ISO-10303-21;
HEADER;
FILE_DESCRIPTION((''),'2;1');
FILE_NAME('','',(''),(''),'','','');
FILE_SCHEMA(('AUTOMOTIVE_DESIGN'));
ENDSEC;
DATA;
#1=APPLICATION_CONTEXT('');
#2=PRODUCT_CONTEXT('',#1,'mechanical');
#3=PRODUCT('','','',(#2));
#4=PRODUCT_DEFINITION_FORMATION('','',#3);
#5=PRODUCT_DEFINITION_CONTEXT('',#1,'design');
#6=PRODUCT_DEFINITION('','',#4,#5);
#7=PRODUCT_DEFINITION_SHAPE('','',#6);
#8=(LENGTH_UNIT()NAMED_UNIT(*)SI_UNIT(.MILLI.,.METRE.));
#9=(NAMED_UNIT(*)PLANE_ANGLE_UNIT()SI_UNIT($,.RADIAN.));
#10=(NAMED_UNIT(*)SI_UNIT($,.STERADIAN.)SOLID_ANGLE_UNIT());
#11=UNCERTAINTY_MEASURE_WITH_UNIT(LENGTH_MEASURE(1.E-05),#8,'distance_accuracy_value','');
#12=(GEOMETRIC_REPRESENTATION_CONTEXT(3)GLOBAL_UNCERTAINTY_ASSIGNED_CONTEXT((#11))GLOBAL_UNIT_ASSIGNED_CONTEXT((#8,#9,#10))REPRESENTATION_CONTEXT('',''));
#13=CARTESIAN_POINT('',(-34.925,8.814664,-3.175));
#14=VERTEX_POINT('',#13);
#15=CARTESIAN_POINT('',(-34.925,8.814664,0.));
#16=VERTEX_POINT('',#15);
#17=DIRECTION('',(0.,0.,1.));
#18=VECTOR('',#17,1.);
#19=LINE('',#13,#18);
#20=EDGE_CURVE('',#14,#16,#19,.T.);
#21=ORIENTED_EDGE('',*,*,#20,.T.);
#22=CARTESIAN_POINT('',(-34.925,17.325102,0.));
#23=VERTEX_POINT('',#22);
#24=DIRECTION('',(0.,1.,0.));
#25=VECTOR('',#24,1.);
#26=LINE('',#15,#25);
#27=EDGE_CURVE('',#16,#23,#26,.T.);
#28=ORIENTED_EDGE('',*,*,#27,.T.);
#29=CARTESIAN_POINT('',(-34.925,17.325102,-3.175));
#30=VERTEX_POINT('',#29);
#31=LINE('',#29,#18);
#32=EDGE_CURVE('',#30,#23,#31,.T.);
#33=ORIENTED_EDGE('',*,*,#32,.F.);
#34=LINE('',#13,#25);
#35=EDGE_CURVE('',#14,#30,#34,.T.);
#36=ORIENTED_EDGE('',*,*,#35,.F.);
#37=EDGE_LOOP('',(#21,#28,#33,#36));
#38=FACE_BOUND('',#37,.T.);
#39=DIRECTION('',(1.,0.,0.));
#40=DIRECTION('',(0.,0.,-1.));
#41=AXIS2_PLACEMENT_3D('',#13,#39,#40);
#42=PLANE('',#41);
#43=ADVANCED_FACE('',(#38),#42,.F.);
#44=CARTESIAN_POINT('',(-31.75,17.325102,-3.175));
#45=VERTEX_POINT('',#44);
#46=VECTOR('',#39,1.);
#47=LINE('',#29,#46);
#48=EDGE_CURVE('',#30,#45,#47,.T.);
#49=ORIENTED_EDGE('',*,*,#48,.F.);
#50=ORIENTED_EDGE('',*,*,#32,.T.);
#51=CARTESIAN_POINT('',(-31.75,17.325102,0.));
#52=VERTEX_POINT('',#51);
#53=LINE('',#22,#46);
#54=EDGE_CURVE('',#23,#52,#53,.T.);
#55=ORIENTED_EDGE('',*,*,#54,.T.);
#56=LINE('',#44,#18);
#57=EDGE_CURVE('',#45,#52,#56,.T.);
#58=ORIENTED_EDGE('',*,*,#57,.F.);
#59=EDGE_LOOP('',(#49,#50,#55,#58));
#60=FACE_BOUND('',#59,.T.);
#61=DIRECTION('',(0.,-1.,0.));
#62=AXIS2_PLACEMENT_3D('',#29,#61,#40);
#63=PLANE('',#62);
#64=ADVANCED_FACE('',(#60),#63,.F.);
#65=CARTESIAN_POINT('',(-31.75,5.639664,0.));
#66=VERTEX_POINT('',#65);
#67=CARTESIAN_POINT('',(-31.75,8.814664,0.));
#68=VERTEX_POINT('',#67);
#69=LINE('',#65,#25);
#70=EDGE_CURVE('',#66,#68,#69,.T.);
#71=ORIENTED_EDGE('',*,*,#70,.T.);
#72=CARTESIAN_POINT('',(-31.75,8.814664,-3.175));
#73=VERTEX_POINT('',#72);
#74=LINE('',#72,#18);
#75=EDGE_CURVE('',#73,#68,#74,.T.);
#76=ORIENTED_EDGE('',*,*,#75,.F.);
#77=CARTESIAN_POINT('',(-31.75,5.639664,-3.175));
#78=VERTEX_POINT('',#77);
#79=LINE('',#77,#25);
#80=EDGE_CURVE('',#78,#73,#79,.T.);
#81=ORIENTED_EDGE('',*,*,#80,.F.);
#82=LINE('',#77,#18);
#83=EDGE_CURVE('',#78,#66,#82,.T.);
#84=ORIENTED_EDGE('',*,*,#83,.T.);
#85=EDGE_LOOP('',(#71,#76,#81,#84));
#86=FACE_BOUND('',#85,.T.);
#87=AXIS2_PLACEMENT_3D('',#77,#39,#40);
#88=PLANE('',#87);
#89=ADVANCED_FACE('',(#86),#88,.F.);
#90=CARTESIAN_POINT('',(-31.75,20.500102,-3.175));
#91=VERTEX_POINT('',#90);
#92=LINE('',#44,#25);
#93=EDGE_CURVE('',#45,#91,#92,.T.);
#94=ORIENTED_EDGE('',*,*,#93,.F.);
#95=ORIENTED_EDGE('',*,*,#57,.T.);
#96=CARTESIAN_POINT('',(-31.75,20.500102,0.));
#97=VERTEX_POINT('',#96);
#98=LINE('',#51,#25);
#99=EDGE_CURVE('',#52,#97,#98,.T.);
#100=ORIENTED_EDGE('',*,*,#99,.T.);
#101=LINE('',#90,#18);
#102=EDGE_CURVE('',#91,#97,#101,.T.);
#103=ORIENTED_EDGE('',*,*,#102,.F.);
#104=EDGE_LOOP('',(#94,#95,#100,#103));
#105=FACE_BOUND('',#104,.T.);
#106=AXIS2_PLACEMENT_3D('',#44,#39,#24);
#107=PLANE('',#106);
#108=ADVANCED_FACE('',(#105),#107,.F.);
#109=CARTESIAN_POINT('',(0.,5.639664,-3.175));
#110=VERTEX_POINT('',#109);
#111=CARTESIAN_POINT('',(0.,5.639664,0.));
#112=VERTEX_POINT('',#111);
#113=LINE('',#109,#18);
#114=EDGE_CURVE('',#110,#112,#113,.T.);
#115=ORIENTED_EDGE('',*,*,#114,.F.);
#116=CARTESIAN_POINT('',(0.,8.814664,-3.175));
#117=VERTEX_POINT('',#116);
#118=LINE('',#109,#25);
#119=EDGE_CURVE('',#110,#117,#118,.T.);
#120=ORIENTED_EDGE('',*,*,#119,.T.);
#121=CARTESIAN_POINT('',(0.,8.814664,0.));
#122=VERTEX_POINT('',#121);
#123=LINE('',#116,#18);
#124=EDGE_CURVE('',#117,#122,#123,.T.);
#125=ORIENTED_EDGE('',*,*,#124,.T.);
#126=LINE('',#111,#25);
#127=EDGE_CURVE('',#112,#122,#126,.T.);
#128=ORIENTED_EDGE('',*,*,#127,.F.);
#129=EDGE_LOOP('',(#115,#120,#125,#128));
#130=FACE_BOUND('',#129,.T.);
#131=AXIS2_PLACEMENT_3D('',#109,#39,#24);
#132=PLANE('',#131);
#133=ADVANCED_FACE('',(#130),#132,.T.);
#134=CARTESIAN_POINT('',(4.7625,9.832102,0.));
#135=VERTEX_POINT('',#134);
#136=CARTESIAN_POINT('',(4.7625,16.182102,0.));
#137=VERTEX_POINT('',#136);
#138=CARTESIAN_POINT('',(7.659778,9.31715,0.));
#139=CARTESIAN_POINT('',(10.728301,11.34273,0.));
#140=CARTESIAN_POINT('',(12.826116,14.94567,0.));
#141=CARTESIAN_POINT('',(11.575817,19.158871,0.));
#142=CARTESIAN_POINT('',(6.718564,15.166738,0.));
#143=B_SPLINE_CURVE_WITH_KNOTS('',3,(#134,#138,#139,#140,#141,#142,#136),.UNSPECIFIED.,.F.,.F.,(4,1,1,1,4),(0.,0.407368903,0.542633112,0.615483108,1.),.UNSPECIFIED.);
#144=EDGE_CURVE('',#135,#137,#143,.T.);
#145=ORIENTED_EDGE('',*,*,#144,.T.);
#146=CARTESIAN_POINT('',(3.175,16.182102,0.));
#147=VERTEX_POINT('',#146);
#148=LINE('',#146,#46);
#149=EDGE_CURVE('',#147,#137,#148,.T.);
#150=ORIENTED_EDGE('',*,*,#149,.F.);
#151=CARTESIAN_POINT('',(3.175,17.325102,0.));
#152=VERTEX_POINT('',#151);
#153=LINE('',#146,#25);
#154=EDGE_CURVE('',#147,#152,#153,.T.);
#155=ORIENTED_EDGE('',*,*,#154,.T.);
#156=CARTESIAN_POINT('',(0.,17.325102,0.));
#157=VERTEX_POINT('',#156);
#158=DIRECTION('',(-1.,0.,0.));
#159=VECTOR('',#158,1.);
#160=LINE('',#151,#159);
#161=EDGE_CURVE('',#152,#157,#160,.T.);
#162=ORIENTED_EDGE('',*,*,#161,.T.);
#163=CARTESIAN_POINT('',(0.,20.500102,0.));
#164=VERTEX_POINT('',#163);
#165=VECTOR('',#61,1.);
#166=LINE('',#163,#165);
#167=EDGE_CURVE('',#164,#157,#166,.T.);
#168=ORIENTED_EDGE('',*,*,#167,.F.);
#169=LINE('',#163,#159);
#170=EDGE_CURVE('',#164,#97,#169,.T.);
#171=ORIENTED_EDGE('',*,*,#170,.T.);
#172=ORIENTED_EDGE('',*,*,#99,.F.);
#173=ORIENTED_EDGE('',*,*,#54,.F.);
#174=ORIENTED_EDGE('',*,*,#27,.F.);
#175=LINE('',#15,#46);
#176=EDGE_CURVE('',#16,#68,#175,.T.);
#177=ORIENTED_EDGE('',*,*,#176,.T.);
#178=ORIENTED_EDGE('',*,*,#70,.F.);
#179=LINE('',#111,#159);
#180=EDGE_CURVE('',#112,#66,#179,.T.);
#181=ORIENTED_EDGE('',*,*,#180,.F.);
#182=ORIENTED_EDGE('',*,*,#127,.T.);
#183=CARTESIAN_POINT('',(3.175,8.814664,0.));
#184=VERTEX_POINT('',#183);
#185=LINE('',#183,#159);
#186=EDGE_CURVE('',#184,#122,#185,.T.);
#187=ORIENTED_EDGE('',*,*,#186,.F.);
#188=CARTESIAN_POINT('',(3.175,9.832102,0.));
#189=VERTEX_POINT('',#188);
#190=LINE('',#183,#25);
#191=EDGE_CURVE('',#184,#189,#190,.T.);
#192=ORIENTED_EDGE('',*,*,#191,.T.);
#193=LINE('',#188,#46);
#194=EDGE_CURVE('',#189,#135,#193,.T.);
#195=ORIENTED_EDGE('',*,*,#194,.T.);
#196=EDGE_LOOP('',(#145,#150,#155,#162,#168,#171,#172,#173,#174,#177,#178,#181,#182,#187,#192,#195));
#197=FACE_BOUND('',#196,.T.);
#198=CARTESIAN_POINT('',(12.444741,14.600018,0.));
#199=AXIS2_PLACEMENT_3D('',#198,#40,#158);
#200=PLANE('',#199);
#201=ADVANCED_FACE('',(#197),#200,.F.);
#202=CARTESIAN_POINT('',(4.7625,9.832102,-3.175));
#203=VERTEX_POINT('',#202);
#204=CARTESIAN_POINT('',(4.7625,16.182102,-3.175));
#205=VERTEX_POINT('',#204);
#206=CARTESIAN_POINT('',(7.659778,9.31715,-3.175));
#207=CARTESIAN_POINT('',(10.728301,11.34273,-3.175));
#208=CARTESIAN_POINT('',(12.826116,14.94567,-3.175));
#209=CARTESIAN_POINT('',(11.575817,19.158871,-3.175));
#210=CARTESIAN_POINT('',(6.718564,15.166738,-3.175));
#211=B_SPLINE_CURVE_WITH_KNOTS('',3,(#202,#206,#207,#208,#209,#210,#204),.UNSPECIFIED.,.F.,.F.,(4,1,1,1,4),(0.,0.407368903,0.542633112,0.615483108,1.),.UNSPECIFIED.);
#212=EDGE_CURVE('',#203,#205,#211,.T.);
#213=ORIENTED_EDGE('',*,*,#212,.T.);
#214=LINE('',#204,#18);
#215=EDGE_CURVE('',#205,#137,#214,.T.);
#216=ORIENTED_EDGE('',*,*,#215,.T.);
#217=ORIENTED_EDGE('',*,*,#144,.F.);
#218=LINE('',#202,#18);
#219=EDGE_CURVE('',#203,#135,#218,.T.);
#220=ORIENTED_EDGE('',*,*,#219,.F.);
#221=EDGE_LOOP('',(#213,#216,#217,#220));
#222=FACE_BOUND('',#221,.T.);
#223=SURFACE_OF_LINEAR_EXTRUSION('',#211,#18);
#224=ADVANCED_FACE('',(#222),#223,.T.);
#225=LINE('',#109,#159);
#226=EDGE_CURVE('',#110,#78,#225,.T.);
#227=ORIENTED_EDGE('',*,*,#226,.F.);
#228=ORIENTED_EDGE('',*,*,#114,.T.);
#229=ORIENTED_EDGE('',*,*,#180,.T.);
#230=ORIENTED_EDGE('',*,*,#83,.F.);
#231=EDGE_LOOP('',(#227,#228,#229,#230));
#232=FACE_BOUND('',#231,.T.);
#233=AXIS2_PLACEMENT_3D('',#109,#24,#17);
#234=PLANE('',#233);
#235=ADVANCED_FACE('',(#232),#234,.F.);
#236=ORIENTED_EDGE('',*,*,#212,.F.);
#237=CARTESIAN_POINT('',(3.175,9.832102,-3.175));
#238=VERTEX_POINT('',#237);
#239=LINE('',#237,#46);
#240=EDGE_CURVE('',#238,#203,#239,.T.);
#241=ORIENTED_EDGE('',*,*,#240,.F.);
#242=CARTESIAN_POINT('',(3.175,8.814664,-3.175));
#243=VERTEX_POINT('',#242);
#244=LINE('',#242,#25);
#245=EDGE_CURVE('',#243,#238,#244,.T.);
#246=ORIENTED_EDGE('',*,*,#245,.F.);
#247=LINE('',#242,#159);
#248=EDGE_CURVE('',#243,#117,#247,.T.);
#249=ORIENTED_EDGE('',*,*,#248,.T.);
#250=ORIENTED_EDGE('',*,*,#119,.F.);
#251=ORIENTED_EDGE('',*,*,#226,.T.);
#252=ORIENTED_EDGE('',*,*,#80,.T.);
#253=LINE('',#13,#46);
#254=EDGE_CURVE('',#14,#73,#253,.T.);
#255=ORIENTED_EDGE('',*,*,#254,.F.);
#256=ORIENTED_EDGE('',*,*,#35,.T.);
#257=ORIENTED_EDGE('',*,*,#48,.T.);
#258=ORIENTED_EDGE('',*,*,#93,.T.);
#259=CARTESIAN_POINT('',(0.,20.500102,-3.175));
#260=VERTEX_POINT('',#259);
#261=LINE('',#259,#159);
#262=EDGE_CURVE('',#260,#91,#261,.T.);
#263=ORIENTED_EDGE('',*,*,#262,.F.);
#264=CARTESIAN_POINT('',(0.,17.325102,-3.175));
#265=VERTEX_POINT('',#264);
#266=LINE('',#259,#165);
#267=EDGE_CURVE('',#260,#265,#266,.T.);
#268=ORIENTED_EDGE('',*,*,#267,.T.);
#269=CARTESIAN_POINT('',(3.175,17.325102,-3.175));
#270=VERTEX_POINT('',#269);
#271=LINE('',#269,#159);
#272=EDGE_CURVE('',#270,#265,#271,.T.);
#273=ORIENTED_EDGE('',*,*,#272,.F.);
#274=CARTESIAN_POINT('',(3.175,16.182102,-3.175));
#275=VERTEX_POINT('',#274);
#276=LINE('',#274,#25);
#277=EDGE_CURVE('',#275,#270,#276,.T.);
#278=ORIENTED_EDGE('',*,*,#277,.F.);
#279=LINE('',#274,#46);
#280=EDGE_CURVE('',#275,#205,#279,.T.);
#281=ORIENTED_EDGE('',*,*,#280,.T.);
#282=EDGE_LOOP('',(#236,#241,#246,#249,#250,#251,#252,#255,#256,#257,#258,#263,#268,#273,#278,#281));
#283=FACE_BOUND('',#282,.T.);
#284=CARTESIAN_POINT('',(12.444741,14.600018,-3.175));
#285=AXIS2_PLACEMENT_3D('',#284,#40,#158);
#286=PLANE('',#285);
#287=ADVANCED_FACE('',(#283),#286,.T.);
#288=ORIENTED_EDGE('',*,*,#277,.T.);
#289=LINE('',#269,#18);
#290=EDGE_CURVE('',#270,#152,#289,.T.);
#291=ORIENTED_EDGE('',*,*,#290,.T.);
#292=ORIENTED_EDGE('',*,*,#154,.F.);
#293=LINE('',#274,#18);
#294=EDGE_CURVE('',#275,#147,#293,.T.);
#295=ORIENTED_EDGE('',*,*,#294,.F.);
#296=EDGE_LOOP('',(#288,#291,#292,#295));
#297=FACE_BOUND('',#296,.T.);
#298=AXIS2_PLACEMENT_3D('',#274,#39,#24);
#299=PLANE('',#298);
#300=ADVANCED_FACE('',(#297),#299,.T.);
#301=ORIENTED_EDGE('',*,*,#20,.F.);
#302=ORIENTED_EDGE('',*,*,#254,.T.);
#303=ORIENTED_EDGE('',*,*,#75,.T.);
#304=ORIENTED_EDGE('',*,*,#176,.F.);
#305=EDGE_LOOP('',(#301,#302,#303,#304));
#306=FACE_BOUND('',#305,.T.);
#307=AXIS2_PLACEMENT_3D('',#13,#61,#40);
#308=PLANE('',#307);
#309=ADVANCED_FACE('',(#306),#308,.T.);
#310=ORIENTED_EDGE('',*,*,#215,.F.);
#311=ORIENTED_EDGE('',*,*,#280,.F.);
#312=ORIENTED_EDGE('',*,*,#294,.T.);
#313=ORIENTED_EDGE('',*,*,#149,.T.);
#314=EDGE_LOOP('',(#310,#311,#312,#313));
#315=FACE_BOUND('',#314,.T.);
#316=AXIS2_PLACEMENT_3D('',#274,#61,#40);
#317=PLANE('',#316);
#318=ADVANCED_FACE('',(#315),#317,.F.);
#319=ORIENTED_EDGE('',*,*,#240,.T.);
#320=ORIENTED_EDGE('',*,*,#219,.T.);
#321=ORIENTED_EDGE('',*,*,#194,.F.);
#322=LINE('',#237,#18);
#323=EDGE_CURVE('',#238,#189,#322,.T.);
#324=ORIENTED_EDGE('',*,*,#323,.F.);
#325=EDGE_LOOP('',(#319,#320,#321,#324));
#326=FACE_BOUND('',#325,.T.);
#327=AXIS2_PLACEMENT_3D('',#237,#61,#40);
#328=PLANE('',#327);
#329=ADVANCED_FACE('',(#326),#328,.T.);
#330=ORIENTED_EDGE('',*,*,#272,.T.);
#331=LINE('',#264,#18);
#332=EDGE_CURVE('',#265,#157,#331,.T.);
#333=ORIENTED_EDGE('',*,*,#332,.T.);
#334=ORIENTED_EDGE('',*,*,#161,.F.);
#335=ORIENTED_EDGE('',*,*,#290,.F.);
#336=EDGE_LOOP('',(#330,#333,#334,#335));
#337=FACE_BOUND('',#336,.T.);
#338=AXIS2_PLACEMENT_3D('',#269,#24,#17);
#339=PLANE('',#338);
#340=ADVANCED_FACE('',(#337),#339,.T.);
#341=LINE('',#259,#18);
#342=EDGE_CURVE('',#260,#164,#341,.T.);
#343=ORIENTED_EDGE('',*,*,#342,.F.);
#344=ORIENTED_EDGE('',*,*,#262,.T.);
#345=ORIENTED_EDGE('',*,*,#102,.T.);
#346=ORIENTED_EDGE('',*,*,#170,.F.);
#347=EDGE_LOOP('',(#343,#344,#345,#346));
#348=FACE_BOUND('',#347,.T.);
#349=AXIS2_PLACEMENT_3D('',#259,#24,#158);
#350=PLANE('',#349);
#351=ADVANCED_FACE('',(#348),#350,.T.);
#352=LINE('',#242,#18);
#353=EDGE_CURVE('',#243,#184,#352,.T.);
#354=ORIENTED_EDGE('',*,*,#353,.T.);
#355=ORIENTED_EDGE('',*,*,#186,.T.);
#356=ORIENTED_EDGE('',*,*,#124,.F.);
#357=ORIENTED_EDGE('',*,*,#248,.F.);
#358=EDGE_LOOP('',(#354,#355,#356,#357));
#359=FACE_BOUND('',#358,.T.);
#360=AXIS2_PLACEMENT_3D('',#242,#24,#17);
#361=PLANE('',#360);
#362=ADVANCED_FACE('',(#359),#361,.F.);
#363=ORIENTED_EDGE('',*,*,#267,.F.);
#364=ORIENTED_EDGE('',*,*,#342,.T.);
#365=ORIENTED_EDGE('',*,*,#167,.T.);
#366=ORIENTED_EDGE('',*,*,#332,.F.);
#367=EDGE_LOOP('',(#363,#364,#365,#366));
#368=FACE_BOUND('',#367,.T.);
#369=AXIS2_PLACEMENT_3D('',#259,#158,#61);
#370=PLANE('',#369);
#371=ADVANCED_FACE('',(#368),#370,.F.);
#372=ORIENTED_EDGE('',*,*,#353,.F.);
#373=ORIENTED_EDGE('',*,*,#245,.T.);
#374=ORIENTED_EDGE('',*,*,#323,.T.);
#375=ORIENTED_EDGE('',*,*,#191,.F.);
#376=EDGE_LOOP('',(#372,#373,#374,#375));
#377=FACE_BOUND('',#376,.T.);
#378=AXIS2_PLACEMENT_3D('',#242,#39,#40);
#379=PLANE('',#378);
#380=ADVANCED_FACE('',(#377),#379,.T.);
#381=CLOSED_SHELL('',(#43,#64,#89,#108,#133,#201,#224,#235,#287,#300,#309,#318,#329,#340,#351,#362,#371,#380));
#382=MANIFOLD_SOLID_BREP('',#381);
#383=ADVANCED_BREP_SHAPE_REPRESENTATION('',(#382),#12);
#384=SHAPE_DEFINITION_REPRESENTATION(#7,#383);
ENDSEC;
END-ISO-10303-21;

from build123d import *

# Parameters (mm, degrees)
BOSS_EXTRUDE1_DEPTH = 3.175


with BuildPart() as part:
    # Sketch1 → Boss-Extrude1 (new body)
    with BuildSketch(Plane.XY):
        with BuildLine():
            Line((0, 5.639663891), (-31.75, 5.639663891))
            Line((-31.75, 5.639663891), (-31.75, 8.814663891))
            Line((-31.75, 8.814663891), (-34.925, 8.814663891))
            Line((-34.925, 8.814663891), (-34.925, 17.325102195))
            Line((-34.925, 17.325102195), (-31.75, 17.325102195))
            Line((-31.75, 17.325102195), (-31.75, 20.500102195))
            Line((-31.75, 20.500102195), (0, 20.500102195))
            Line((0, 20.500102195), (0, 17.325102195))
            Line((0, 17.325102195), (3.175, 17.325102195))
            Line((3.175, 17.325102195), (3.175, 16.182102195))
            Line((3.175, 16.182102195), (4.7625, 16.182102195))
            add(Edge.make_bspline(
                [(4.7625, 9.832102195), (7.659778086, 9.31714992), (10.728301246, 11.34273023), (12.826116241, 14.945670316), (11.575816546, 19.158870701), (6.71856433, 15.166738189), (4.7625, 16.182102195)],
                knots=[0, 0, 0, 0, 0.407368903, 0.542633112, 0.615483108, 1, 1, 1, 1], degree=3))
            Line((4.7625, 9.832102195), (3.175, 9.832102195))
            Line((3.175, 9.832102195), (3.175, 8.814663891))
            Line((3.175, 8.814663891), (0, 8.814663891))
            Line((0, 8.814663891), (0, 5.639663891))
        make_face()
    extrude(amount=-BOSS_EXTRUDE1_DEPTH)


solid = part.part
